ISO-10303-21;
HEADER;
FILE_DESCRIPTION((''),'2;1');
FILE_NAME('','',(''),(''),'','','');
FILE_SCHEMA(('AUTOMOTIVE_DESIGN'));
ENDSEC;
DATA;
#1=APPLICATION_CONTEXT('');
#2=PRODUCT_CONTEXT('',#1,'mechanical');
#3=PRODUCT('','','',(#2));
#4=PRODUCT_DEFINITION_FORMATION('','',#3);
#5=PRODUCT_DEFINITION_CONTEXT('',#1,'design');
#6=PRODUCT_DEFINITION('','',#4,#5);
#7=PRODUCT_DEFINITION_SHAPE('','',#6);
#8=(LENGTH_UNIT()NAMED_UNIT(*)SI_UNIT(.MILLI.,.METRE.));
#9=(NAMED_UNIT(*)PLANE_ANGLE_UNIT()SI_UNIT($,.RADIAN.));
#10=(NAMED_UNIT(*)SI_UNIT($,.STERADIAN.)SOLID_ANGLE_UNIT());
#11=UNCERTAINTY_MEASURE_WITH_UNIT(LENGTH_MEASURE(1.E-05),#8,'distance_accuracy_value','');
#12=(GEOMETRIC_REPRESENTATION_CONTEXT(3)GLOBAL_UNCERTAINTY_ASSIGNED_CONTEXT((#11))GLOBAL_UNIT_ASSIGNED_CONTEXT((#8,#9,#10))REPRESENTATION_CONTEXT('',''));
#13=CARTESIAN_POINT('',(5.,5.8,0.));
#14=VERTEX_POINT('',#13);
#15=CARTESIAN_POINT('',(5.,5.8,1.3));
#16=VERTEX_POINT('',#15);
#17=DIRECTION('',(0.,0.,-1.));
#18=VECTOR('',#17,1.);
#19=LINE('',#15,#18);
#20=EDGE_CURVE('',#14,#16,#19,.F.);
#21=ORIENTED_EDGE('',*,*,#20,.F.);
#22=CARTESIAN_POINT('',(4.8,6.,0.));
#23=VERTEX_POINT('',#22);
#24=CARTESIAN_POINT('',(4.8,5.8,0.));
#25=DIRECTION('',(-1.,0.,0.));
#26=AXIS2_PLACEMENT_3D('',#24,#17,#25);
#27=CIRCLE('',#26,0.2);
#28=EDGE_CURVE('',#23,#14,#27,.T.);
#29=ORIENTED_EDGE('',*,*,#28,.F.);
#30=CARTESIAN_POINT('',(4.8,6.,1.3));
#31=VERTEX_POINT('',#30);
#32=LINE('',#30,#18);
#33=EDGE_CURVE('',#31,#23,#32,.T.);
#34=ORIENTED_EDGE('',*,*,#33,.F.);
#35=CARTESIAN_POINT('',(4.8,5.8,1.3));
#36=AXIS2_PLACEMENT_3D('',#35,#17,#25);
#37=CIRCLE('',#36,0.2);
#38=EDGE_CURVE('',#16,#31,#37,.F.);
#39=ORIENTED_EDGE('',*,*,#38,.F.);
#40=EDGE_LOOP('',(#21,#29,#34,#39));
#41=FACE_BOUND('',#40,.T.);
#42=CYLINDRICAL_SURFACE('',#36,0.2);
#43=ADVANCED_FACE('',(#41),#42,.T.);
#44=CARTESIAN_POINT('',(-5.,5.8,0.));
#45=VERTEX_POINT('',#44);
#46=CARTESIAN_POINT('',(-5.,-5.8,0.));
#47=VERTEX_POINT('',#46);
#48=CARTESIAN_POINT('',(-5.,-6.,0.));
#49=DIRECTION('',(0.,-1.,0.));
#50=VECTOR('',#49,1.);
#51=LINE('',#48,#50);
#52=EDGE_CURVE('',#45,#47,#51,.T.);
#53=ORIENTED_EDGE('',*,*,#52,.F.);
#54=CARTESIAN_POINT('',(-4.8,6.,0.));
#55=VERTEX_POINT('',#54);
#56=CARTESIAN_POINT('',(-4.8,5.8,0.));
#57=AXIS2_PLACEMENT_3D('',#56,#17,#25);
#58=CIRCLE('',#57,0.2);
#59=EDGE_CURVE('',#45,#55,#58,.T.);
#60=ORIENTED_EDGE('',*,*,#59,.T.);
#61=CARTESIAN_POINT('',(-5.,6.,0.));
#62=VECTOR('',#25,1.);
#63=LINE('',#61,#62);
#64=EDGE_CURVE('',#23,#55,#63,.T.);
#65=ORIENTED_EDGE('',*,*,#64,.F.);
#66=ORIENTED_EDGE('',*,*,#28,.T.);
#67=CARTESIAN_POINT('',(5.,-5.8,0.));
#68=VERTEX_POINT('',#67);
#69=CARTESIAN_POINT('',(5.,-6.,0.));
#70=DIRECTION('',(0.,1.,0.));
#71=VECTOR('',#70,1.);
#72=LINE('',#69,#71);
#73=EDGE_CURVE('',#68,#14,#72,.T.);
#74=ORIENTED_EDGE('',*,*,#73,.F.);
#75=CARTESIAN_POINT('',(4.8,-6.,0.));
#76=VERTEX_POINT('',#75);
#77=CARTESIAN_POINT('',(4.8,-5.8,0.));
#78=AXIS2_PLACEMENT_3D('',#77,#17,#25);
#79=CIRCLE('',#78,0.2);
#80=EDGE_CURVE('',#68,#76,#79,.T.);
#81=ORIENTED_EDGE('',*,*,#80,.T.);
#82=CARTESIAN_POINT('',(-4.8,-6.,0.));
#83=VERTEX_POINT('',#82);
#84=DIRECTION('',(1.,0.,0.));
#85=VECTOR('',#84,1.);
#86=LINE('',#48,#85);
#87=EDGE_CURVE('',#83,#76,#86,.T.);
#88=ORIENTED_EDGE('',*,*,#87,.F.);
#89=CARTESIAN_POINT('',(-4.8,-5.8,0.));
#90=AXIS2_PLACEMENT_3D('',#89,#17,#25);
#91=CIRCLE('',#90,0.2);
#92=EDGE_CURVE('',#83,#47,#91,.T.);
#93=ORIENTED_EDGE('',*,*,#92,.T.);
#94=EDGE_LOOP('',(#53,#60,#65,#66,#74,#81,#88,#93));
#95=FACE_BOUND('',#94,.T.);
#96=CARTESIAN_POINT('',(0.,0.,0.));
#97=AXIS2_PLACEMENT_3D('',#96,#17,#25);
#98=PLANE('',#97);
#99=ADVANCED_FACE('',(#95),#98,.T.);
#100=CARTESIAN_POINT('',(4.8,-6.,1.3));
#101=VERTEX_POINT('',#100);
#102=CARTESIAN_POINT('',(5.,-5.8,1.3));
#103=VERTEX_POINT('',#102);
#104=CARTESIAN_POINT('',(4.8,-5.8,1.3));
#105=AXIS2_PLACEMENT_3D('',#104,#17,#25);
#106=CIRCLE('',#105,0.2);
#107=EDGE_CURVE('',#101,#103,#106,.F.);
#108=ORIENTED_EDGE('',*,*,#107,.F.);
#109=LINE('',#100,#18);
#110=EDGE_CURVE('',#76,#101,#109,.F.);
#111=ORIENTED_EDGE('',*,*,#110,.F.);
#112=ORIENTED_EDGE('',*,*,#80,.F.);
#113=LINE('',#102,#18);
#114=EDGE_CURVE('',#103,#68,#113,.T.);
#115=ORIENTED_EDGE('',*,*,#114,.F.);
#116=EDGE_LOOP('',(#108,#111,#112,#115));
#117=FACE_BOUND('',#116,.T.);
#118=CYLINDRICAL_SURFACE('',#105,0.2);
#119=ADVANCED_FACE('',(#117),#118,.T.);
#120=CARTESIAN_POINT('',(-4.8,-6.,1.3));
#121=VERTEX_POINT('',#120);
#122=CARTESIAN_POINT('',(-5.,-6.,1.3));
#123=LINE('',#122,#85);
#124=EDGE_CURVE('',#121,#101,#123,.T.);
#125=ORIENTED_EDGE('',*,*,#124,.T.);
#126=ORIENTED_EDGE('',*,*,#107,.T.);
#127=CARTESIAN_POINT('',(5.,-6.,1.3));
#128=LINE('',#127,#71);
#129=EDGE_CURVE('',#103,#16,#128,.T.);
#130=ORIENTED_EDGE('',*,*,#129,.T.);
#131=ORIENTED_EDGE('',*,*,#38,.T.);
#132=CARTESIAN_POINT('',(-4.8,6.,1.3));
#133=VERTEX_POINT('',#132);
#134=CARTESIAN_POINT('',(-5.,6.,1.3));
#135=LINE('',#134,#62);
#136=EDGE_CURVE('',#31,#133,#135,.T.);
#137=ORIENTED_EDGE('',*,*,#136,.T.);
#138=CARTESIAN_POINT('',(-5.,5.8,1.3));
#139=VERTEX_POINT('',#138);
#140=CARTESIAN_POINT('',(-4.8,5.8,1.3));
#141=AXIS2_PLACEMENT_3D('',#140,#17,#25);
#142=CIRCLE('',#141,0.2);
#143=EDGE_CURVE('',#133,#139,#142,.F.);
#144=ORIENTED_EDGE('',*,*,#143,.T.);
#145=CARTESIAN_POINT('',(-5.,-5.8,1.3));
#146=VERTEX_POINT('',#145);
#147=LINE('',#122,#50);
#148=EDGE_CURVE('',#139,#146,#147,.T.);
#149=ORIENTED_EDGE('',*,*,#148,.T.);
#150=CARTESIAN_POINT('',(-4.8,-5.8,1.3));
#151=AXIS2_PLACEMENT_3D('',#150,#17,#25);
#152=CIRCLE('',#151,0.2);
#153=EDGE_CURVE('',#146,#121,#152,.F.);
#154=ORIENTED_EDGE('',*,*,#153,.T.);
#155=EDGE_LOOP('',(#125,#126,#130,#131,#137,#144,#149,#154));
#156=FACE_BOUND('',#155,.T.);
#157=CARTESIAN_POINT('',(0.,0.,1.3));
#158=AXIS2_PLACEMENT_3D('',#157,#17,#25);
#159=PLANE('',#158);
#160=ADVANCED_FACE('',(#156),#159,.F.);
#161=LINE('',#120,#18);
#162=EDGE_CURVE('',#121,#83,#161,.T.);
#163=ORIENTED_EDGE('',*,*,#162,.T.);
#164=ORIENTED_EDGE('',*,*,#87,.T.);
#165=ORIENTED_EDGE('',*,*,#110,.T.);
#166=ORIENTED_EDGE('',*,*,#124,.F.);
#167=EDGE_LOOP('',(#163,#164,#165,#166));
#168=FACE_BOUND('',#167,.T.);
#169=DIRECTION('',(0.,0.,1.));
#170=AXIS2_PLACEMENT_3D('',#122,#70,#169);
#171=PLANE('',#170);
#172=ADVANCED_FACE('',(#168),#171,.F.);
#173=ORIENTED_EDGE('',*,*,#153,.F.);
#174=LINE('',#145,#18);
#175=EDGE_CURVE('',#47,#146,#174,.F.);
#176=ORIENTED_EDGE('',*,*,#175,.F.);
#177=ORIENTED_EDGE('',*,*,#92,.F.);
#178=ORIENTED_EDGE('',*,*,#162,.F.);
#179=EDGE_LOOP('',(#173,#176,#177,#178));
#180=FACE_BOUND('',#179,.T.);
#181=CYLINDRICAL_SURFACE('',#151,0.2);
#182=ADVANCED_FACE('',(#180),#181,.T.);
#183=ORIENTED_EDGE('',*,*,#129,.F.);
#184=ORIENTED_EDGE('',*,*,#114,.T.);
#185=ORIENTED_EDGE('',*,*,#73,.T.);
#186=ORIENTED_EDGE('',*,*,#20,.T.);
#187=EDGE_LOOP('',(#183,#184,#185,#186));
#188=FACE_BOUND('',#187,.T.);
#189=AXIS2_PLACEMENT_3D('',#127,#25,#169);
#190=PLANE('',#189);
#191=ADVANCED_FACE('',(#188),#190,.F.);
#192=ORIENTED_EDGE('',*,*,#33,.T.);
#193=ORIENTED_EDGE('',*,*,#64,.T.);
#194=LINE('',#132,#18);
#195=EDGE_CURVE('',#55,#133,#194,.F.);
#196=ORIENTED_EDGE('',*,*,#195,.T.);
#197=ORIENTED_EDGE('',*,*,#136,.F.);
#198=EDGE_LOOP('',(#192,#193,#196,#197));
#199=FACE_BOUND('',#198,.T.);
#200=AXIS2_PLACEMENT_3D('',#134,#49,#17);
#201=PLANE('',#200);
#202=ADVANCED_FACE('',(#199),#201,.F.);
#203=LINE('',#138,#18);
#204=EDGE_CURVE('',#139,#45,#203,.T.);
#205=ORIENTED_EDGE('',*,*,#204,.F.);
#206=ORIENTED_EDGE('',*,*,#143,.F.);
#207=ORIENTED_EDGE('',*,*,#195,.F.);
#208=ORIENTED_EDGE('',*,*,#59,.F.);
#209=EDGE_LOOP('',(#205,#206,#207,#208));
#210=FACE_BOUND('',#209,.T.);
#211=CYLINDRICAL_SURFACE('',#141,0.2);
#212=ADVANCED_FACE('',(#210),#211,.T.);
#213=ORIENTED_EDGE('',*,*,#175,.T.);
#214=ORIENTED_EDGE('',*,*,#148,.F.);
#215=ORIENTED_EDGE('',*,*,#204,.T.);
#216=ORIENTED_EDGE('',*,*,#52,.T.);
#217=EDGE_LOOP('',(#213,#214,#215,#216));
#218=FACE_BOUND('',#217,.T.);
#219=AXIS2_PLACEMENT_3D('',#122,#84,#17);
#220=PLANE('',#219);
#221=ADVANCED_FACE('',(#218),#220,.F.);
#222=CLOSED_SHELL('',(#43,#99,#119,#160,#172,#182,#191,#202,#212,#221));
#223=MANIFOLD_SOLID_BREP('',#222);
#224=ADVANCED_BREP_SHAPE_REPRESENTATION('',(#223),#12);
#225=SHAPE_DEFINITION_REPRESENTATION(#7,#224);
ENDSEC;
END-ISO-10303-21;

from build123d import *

# Parameters (mm, degrees)
SKETCH1_W           = 10
SKETCH1_H           = 12
BOSS_EXTRUDE1_DEPTH = 1.3
FILLET1_R           = 0.2


with BuildPart() as part:
    # Sketch1 → Boss-Extrude1 (new body)
    with BuildSketch(Plane.XY):
        Rectangle(SKETCH1_W, SKETCH1_H)
    extrude(amount=BOSS_EXTRUDE1_DEPTH)

    # Fillet1
    fillet1_edges = [part.edges().sort_by_distance(p)[0] for p in [
        (5, -6, 0.65),
        (-5, -6, 0.65),
        (-5, 6, 0.65),
        (5, 6, 0.65),
    ]]
    fillet(fillet1_edges, radius=FILLET1_R)


solid = part.part
